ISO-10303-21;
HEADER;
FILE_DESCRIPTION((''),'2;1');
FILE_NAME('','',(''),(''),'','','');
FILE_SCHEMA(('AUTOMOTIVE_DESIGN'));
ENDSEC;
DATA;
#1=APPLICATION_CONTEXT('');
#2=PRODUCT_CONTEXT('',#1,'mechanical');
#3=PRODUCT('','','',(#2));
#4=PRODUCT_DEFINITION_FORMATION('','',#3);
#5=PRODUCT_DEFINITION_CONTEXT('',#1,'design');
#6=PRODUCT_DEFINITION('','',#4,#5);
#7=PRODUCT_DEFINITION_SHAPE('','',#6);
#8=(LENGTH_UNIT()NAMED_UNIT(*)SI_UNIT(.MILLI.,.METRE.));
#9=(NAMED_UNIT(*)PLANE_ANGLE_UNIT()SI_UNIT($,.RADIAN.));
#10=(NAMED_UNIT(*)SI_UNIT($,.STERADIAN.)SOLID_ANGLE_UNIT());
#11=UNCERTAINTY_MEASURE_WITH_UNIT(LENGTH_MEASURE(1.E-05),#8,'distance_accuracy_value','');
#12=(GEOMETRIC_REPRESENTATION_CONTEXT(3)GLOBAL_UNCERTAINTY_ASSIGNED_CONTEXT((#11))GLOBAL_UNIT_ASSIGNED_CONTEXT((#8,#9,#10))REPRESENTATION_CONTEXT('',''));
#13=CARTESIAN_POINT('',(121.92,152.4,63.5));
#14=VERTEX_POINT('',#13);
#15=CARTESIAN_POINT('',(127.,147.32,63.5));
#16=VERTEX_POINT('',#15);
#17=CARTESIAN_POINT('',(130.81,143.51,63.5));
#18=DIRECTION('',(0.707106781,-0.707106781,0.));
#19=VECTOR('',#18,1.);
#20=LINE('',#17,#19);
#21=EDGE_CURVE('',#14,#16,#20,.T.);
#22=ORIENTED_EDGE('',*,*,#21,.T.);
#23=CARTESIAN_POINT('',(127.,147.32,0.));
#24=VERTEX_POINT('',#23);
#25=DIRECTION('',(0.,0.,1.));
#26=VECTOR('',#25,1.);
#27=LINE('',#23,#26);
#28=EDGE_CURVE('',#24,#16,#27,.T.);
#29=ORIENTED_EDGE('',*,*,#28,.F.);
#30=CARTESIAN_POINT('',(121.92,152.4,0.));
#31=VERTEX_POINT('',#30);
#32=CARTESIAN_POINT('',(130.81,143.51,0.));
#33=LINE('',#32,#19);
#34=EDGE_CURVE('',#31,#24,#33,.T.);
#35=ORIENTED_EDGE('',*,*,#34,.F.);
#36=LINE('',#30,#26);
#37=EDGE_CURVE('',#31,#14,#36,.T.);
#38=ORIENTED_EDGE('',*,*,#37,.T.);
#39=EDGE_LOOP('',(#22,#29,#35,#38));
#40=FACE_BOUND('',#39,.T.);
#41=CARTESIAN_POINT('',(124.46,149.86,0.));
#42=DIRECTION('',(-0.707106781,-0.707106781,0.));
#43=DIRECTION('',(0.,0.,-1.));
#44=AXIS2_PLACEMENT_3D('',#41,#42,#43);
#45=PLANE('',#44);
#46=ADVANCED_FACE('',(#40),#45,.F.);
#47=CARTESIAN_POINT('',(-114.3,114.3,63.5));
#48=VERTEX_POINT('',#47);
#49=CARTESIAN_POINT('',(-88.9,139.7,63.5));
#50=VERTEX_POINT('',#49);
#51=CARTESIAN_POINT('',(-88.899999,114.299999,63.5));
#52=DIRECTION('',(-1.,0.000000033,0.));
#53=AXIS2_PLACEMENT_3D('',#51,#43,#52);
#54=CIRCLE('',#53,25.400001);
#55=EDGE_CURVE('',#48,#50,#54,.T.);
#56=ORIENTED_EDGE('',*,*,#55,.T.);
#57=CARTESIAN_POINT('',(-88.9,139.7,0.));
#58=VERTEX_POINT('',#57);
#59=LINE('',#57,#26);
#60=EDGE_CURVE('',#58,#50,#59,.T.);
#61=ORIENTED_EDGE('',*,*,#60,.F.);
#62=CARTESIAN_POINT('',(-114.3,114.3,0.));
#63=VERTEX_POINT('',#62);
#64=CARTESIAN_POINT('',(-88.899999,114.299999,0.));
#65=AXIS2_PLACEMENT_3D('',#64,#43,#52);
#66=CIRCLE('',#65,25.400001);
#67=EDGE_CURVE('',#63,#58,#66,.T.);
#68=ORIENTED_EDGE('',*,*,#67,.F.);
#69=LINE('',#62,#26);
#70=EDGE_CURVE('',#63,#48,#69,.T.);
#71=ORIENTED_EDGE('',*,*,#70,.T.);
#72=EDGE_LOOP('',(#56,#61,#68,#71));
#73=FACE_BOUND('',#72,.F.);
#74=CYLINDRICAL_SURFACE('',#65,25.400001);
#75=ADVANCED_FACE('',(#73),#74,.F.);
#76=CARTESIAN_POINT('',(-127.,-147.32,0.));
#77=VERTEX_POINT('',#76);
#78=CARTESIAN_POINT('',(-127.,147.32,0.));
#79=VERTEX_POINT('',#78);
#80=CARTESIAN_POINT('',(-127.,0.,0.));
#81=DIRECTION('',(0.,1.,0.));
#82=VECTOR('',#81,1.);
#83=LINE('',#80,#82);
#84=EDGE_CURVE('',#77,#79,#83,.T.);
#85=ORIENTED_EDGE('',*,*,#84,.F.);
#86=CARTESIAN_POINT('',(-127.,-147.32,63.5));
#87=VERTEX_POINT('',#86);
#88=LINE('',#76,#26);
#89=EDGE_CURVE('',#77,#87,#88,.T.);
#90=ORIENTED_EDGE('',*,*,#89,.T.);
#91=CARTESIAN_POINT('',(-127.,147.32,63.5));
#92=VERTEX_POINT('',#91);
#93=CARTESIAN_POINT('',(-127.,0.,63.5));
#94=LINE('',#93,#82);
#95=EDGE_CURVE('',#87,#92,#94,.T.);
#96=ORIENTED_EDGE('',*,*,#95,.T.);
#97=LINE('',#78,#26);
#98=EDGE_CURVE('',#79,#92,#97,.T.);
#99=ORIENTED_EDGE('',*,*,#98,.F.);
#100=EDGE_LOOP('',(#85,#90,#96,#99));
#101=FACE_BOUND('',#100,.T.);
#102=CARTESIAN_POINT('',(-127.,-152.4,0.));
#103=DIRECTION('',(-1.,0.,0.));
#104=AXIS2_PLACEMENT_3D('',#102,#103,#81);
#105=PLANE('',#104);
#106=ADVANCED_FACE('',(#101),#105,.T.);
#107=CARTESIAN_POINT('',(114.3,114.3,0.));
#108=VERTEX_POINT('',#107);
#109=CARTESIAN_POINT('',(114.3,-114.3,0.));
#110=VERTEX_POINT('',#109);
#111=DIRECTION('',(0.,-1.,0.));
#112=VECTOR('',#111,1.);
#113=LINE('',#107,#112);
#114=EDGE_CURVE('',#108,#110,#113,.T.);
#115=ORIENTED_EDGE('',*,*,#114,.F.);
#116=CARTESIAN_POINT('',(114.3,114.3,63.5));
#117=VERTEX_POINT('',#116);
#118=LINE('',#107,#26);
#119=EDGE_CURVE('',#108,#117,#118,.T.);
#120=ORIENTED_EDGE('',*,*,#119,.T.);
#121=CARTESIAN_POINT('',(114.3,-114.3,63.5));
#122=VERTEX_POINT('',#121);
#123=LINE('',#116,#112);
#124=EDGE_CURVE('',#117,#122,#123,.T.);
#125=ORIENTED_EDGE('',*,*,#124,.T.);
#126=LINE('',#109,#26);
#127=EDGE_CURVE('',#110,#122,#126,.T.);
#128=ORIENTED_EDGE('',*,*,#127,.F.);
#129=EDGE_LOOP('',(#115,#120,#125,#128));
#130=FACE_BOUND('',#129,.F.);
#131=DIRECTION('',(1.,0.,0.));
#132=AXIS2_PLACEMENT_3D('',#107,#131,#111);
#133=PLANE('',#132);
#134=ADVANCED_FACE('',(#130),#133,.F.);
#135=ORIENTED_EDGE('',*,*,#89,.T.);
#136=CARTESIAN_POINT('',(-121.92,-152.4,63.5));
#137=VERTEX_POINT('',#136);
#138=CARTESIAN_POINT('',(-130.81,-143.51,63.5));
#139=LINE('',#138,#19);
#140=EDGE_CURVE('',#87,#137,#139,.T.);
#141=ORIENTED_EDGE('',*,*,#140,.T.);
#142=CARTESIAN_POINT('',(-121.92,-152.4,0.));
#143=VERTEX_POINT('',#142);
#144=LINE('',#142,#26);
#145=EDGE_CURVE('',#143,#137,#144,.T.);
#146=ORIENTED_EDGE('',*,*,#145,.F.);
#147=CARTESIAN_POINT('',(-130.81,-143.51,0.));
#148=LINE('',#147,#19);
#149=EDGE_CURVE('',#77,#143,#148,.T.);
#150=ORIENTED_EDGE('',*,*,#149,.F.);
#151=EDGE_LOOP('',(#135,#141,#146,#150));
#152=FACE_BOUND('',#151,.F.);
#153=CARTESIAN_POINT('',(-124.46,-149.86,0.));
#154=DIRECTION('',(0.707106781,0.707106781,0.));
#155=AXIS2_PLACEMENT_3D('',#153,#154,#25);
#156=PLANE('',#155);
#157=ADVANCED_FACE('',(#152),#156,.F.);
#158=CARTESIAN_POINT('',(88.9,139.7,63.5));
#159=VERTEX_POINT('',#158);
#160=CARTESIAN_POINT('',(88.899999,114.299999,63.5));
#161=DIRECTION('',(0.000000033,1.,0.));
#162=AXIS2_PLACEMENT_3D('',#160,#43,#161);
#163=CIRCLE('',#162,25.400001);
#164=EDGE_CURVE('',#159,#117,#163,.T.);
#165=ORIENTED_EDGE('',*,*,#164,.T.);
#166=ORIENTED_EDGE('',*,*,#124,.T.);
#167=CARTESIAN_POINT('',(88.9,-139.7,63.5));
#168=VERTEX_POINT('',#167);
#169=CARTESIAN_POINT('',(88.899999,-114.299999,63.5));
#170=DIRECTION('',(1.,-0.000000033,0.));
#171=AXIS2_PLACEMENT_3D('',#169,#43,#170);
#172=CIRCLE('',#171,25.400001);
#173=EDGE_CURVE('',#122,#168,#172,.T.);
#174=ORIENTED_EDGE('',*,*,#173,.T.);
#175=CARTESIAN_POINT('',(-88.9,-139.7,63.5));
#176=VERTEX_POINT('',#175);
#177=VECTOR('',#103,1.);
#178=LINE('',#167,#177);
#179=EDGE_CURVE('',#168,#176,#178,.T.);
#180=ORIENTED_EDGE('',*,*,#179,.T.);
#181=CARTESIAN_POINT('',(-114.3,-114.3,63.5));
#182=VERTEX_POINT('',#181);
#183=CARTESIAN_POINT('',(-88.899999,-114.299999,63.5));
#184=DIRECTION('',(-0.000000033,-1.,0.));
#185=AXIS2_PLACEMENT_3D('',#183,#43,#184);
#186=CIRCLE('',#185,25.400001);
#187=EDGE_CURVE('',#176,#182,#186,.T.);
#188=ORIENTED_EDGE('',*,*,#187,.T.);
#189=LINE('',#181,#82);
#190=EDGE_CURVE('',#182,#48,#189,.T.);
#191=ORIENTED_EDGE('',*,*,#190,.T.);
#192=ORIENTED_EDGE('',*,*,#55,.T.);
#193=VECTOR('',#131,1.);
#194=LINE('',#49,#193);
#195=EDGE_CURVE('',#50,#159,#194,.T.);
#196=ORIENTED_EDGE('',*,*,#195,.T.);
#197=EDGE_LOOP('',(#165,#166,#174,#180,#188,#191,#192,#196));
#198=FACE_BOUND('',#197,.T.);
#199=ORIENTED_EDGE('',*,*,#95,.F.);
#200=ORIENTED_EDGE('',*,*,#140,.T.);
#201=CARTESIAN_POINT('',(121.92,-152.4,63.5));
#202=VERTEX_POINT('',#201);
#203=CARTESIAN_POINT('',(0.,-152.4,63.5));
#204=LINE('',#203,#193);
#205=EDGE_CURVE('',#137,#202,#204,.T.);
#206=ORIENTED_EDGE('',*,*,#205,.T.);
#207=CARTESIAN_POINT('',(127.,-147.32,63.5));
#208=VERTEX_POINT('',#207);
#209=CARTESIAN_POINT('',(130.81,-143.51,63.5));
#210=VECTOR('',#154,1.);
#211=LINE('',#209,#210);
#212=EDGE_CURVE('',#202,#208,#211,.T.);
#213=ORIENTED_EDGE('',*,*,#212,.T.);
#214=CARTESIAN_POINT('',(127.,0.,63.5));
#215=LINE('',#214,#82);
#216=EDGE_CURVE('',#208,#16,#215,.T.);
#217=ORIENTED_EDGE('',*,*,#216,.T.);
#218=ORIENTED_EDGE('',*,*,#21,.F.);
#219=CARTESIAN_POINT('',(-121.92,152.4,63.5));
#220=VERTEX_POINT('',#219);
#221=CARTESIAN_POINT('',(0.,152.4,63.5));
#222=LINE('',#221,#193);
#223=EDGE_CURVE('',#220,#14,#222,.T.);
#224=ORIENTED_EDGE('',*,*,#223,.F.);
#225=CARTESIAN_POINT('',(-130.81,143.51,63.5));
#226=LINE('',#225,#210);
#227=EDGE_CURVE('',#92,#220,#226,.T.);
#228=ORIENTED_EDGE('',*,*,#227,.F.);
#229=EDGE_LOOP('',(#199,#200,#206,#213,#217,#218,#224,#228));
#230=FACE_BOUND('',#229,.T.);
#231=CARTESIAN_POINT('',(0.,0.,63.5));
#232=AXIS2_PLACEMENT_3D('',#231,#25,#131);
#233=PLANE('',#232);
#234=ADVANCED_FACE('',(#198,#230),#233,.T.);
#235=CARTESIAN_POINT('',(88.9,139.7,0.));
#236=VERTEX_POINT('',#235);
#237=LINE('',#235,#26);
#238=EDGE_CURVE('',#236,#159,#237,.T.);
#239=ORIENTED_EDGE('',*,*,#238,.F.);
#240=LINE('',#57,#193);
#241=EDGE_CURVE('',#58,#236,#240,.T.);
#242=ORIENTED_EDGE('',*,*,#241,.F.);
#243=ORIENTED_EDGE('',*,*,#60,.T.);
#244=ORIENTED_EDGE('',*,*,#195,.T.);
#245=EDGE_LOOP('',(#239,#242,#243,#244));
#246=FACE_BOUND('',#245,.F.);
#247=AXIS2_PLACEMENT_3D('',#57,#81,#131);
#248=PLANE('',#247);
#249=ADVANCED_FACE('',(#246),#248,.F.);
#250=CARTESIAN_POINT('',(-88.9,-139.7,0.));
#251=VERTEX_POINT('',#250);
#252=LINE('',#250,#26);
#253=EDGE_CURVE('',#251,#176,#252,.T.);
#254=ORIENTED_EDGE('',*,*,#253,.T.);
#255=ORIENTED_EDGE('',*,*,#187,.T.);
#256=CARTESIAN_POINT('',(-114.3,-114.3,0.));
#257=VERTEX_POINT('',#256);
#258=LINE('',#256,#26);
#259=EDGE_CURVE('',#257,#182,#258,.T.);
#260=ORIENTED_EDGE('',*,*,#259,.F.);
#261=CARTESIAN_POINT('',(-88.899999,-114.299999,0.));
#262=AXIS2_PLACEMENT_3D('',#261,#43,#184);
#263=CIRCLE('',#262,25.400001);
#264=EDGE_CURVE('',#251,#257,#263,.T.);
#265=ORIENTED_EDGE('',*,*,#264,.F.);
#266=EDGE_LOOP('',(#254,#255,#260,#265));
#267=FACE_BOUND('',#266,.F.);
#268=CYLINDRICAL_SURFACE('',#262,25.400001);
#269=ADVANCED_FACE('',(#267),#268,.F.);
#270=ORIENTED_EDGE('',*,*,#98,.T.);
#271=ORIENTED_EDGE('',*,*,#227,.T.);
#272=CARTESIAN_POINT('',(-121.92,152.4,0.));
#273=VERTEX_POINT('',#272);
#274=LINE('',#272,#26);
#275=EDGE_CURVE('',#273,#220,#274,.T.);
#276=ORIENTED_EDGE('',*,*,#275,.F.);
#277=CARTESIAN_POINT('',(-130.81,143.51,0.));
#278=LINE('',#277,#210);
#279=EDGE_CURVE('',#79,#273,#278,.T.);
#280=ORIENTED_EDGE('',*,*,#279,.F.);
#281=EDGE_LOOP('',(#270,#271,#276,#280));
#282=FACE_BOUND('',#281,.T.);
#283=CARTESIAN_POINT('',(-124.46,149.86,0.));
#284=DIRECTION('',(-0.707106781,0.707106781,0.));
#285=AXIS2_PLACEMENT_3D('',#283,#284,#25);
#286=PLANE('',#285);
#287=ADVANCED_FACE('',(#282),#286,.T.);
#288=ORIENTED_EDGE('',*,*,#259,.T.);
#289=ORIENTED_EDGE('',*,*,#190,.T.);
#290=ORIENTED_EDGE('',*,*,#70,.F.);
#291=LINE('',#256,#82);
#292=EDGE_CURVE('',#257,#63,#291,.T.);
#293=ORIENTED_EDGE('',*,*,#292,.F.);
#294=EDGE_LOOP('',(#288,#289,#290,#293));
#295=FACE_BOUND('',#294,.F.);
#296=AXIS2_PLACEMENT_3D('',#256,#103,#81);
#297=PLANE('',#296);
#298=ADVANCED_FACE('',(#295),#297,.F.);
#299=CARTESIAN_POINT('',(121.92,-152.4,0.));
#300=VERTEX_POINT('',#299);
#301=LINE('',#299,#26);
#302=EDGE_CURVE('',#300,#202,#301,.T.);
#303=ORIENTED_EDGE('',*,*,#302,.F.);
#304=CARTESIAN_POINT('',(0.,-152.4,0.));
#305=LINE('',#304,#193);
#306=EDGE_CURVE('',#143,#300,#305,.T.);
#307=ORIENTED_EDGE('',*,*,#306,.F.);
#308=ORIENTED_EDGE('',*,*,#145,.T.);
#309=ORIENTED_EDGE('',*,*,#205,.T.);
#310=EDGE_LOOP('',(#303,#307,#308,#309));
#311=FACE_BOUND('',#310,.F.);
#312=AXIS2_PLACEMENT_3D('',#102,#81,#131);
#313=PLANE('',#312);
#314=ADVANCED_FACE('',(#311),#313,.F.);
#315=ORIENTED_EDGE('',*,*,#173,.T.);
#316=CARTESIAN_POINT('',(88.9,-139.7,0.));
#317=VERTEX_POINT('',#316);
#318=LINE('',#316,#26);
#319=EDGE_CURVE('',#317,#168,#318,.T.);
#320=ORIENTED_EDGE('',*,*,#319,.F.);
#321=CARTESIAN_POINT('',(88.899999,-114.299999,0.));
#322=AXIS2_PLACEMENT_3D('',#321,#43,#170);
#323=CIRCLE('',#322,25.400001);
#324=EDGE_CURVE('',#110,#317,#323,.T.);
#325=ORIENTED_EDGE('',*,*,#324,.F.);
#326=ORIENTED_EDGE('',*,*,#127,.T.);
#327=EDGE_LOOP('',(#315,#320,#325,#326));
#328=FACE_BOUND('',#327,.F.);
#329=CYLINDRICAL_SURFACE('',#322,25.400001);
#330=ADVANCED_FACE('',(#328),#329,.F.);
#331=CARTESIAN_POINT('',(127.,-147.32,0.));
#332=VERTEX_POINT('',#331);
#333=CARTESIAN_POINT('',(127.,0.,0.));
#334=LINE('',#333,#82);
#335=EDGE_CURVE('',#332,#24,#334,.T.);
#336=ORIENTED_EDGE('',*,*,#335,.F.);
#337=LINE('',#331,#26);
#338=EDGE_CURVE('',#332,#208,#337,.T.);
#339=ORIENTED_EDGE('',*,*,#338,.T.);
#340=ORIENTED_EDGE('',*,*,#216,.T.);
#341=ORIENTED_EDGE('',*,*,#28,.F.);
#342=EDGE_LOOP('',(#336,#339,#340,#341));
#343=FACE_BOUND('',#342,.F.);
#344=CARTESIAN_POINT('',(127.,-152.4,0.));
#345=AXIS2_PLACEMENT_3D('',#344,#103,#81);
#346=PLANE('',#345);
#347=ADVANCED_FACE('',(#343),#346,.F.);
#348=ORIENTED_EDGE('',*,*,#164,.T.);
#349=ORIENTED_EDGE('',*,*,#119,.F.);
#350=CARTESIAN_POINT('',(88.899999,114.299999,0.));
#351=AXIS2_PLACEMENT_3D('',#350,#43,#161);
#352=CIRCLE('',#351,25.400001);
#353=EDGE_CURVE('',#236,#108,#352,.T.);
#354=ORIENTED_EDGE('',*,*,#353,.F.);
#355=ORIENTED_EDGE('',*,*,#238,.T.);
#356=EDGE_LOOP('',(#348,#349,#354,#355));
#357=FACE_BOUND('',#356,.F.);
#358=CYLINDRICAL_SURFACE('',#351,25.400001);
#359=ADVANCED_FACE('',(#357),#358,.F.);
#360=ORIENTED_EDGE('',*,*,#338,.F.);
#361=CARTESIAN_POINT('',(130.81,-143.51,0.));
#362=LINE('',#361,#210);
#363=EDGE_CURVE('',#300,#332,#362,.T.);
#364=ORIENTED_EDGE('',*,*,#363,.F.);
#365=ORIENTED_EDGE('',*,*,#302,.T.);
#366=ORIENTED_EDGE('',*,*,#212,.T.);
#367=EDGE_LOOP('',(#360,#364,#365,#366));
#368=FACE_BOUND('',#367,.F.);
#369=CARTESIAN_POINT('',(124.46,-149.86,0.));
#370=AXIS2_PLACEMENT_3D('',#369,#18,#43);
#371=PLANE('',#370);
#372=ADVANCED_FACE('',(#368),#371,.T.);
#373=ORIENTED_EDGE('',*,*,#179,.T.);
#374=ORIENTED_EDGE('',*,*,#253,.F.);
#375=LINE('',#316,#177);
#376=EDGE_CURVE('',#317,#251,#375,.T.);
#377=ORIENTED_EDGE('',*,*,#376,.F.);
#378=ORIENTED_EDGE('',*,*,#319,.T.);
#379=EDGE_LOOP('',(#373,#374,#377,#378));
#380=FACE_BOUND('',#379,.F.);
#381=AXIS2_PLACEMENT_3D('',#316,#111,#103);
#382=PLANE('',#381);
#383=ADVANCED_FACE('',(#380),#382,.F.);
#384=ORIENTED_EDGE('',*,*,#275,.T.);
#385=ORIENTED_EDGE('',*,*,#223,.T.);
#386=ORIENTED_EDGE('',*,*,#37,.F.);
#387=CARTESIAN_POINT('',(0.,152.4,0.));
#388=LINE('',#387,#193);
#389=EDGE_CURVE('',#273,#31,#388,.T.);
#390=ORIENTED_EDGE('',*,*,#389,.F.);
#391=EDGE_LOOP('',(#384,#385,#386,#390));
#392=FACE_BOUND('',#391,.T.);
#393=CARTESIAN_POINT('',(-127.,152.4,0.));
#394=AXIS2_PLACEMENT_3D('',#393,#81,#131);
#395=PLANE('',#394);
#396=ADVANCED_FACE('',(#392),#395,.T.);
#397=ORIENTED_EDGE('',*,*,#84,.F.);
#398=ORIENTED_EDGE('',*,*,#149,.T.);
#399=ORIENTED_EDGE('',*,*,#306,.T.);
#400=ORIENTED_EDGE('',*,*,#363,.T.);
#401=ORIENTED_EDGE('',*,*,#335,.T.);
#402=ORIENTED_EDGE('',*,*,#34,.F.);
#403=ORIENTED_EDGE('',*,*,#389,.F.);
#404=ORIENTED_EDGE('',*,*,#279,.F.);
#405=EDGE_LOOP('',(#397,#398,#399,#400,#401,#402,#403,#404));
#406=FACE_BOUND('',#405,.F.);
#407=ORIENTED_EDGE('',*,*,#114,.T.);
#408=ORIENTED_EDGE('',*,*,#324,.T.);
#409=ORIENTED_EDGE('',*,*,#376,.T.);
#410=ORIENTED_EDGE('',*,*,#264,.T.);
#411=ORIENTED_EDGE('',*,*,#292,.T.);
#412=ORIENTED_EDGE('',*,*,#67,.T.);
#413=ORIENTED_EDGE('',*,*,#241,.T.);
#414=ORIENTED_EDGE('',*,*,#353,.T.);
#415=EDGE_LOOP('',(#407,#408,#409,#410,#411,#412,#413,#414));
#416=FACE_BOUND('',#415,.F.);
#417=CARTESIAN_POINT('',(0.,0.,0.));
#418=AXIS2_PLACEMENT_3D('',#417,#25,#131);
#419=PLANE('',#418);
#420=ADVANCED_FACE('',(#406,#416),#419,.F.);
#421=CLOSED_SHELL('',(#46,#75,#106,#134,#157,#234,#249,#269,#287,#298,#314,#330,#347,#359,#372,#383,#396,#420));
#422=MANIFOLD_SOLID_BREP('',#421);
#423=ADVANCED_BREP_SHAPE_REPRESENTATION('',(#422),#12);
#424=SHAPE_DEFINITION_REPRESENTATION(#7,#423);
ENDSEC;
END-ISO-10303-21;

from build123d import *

# Parameters (mm, degrees)
F0_W     = 254
F0_H     = 304.8
F1_DEPTH = 63.5
F2_SIZE  = 5.08


with BuildPart() as f1:
    # F0 (on Top) → F1 (new body)
    with BuildSketch(Plane.XY):
        Rectangle(F0_W, F0_H)
        with BuildLine():
            ThreePointArc((-114.3, 114.3), (-106.860512, 132.260512), (-88.9, 139.7))
            Line((-88.9, 139.7), (88.9, 139.7))
            ThreePointArc((88.9, 139.7), (106.860512, 132.260512), (114.3, 114.3))
            Line((114.3, 114.3), (114.3, -114.3))
            ThreePointArc((114.3, -114.3), (106.860512, -132.260512), (88.9, -139.7))
            Line((88.9, -139.7), (-88.9, -139.7))
            ThreePointArc((-88.9, -139.7), (-106.860512, -132.260512), (-114.3, -114.3))
            Line((-114.3, -114.3), (-114.3, 114.3))
        make_face(mode=Mode.SUBTRACT)
    extrude(amount=F1_DEPTH)

    # F2
    f2_edges = [f1.edges().sort_by_distance(p)[0] for p in [
        (-127, 152.4, 31.75),
        (127, 152.4, 31.75),
        (127, -152.4, 31.75),
        (-127, -152.4, 31.75),
    ]]
    chamfer(f2_edges, length=F2_SIZE)


solid = f1.part
